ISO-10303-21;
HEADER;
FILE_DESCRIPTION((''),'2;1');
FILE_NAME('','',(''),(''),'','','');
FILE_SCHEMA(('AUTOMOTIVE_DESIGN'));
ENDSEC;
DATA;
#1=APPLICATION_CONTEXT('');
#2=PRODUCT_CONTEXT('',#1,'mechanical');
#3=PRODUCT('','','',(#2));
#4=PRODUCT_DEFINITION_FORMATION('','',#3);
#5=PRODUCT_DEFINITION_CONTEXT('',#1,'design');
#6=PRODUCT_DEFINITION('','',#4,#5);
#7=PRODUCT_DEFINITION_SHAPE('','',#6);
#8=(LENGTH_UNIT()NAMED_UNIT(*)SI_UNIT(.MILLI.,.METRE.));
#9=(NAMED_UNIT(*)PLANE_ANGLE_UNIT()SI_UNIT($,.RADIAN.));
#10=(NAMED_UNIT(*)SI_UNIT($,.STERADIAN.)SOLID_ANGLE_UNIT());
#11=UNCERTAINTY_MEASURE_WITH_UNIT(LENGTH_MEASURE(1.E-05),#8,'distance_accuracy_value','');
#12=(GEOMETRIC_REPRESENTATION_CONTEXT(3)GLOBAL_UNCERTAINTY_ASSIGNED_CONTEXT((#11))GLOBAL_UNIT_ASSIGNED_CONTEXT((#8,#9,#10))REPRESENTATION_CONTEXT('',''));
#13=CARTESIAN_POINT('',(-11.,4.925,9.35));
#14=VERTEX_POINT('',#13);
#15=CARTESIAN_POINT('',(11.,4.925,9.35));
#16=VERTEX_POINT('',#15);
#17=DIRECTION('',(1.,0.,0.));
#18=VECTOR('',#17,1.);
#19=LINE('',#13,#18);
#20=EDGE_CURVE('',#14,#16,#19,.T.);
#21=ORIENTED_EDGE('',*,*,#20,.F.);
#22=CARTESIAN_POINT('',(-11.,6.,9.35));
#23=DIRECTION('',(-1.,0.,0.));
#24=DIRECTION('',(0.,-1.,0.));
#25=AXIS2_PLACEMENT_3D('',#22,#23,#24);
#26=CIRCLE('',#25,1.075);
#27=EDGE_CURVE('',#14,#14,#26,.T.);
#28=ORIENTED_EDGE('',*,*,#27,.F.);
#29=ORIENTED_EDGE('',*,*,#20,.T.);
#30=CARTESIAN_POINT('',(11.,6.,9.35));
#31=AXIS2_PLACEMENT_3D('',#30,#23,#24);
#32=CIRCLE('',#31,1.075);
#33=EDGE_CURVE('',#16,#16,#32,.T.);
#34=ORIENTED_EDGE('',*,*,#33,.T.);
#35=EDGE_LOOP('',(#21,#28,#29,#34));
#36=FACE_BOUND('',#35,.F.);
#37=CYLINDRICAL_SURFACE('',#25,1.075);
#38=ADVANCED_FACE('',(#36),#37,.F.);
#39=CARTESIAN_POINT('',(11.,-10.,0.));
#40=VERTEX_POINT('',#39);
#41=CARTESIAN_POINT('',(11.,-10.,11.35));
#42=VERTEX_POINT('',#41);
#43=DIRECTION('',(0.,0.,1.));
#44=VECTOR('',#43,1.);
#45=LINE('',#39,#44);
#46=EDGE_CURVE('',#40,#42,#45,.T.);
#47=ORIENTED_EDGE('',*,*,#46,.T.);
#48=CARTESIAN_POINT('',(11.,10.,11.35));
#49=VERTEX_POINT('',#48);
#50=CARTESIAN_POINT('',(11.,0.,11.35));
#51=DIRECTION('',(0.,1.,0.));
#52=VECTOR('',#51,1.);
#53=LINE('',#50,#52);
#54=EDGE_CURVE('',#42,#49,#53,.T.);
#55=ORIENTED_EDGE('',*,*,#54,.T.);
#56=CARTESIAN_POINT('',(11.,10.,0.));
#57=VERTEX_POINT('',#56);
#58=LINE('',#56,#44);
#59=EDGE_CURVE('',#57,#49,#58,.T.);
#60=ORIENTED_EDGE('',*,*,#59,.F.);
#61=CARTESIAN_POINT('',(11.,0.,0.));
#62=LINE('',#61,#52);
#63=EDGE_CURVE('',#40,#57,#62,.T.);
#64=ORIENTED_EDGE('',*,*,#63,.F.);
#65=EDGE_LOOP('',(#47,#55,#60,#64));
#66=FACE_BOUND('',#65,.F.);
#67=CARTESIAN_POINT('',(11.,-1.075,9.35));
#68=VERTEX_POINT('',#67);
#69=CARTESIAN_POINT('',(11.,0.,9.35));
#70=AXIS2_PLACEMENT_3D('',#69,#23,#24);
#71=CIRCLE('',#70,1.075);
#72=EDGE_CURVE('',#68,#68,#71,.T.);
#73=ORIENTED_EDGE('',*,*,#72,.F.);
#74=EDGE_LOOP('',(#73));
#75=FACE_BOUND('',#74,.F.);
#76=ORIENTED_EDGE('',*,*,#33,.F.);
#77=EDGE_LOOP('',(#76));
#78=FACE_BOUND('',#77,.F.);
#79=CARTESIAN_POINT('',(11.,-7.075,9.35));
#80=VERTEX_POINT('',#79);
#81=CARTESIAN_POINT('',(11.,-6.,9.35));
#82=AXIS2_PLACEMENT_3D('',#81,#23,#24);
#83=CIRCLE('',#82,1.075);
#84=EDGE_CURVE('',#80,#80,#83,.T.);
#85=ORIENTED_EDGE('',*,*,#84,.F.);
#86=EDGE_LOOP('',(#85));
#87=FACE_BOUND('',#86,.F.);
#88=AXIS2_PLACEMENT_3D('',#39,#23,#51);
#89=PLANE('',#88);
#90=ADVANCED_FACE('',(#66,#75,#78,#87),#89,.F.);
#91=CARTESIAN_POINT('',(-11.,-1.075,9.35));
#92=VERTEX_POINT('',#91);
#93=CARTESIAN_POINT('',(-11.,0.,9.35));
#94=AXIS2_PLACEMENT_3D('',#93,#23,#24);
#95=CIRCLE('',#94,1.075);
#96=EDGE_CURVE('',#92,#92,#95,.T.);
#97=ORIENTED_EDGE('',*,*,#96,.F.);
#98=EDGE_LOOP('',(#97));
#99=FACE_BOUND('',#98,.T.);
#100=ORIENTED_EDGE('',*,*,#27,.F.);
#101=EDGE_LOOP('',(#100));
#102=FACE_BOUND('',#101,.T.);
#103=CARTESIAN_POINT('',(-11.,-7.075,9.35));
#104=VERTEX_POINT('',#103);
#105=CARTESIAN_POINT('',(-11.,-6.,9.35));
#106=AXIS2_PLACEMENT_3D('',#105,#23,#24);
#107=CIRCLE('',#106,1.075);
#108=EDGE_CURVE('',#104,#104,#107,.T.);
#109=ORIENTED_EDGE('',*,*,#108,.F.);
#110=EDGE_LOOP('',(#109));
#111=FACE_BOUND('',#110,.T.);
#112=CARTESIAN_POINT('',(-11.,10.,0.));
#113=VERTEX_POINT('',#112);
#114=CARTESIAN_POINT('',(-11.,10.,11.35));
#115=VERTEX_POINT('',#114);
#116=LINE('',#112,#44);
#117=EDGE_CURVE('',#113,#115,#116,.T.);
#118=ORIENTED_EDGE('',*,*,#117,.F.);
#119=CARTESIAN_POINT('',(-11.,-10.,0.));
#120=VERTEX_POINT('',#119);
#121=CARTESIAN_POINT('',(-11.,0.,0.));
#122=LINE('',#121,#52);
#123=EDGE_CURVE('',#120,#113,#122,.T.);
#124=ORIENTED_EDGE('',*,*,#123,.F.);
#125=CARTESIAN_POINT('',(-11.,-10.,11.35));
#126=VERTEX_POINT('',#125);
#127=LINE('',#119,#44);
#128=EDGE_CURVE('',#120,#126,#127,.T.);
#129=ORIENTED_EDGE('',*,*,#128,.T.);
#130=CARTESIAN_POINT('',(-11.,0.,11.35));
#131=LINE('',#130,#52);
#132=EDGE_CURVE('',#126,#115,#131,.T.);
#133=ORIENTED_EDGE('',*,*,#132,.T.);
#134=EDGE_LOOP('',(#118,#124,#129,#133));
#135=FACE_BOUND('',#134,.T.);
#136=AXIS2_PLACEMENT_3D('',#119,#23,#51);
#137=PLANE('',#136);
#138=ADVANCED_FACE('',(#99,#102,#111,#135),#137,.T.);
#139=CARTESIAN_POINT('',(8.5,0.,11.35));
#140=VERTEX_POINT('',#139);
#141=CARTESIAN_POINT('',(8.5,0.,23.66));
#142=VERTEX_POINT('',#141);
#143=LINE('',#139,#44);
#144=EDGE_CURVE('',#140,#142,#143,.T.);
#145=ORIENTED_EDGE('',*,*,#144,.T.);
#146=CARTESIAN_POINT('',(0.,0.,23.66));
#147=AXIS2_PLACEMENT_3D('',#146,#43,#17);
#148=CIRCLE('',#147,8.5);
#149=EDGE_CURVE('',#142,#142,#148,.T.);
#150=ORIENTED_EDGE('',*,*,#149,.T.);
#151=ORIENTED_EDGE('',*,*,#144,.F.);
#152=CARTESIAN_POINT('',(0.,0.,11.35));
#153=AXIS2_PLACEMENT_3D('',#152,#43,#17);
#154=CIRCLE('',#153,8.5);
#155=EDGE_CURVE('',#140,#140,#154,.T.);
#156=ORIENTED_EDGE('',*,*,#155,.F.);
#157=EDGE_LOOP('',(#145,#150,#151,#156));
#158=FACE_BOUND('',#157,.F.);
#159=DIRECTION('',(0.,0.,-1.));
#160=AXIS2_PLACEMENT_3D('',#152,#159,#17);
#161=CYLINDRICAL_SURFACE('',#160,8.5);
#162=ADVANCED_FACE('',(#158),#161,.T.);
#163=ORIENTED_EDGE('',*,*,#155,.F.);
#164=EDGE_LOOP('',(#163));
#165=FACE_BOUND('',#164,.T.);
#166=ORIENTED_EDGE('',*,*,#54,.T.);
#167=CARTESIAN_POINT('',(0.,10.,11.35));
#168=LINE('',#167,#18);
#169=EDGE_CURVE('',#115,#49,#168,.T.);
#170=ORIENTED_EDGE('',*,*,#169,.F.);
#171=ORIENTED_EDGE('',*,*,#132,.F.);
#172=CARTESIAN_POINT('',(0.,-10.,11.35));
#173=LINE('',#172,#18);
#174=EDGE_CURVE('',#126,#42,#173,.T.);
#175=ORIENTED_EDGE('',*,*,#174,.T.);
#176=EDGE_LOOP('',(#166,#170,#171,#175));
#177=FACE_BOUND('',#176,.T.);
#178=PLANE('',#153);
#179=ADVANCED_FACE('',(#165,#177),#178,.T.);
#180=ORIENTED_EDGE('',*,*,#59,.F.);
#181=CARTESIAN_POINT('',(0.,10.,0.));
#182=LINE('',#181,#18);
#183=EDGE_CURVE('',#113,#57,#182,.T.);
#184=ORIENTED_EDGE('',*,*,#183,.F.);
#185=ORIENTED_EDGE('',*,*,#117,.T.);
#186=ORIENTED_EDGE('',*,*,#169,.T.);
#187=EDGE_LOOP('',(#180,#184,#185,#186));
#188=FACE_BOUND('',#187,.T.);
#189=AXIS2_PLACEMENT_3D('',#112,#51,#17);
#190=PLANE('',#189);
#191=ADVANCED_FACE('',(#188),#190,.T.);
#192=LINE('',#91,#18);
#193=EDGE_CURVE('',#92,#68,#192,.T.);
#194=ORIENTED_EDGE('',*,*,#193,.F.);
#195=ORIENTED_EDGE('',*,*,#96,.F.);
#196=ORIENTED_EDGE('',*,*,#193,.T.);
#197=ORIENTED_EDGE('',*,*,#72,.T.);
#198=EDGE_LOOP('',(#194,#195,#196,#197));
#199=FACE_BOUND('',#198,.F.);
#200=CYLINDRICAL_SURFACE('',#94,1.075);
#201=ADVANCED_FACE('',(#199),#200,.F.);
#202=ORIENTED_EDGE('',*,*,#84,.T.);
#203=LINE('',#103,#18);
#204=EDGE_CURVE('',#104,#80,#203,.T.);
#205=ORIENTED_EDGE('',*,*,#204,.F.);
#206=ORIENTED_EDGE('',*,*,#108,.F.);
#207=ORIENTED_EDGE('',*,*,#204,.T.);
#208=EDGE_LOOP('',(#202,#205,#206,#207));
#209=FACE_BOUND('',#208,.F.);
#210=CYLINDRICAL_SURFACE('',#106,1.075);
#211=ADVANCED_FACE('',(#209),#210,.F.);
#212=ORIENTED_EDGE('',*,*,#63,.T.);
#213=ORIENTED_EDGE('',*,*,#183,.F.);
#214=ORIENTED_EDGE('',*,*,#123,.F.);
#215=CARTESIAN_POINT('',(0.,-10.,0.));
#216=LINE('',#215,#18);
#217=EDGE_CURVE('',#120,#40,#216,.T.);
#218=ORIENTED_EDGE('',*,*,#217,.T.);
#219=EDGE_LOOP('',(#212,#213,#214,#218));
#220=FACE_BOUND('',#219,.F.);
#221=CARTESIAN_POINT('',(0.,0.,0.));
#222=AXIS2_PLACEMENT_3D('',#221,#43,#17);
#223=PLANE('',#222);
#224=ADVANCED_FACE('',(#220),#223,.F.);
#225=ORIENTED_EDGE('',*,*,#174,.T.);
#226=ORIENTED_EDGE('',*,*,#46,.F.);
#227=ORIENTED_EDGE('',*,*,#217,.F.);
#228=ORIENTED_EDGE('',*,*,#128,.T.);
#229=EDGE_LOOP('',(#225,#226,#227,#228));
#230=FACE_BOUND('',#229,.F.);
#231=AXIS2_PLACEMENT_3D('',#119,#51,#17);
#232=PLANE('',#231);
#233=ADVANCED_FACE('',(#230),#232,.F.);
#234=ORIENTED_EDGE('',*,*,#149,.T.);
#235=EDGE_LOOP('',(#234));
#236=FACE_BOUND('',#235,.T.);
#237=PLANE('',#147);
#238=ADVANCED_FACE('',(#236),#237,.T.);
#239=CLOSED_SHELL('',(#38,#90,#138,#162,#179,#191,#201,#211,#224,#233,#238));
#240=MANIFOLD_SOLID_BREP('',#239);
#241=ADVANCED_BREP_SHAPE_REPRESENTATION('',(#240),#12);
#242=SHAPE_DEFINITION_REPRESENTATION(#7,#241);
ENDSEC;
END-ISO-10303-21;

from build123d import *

# Parameters (mm, degrees)
F0_W     = 22
F0_H     = 20
F1_DEPTH = 11.35
F2_R     = 1.075
F3_DEPTH = 22.001
F4_R     = 8.5
F5_DEPTH = 12.31


with BuildPart() as f1:
    # F0 (on Top) → F1 (new body)
    with BuildSketch(Plane.XY):
        Rectangle(F0_W, F0_H)
    extrude(amount=F1_DEPTH)

    # F2 (on face) → F3 (cut, through all)
    with BuildSketch(Plane(origin=(-11, 0, 0), x_dir=(0, -1, 0), z_dir=(-1, 0, 0))):
        with Locations((-6, 9.35)):
            Circle(F2_R)
        with Locations((0, 9.35)):
            Circle(F2_R)
        with Locations((6, 9.35)):
            Circle(F2_R)
    extrude(amount=-F3_DEPTH, mode=Mode.SUBTRACT)

    # F4 (on face) → F5 (join)
    with BuildSketch(Plane.XY.offset(11.35)):
        Circle(F4_R)
    extrude(amount=F5_DEPTH)


solid = f1.part
